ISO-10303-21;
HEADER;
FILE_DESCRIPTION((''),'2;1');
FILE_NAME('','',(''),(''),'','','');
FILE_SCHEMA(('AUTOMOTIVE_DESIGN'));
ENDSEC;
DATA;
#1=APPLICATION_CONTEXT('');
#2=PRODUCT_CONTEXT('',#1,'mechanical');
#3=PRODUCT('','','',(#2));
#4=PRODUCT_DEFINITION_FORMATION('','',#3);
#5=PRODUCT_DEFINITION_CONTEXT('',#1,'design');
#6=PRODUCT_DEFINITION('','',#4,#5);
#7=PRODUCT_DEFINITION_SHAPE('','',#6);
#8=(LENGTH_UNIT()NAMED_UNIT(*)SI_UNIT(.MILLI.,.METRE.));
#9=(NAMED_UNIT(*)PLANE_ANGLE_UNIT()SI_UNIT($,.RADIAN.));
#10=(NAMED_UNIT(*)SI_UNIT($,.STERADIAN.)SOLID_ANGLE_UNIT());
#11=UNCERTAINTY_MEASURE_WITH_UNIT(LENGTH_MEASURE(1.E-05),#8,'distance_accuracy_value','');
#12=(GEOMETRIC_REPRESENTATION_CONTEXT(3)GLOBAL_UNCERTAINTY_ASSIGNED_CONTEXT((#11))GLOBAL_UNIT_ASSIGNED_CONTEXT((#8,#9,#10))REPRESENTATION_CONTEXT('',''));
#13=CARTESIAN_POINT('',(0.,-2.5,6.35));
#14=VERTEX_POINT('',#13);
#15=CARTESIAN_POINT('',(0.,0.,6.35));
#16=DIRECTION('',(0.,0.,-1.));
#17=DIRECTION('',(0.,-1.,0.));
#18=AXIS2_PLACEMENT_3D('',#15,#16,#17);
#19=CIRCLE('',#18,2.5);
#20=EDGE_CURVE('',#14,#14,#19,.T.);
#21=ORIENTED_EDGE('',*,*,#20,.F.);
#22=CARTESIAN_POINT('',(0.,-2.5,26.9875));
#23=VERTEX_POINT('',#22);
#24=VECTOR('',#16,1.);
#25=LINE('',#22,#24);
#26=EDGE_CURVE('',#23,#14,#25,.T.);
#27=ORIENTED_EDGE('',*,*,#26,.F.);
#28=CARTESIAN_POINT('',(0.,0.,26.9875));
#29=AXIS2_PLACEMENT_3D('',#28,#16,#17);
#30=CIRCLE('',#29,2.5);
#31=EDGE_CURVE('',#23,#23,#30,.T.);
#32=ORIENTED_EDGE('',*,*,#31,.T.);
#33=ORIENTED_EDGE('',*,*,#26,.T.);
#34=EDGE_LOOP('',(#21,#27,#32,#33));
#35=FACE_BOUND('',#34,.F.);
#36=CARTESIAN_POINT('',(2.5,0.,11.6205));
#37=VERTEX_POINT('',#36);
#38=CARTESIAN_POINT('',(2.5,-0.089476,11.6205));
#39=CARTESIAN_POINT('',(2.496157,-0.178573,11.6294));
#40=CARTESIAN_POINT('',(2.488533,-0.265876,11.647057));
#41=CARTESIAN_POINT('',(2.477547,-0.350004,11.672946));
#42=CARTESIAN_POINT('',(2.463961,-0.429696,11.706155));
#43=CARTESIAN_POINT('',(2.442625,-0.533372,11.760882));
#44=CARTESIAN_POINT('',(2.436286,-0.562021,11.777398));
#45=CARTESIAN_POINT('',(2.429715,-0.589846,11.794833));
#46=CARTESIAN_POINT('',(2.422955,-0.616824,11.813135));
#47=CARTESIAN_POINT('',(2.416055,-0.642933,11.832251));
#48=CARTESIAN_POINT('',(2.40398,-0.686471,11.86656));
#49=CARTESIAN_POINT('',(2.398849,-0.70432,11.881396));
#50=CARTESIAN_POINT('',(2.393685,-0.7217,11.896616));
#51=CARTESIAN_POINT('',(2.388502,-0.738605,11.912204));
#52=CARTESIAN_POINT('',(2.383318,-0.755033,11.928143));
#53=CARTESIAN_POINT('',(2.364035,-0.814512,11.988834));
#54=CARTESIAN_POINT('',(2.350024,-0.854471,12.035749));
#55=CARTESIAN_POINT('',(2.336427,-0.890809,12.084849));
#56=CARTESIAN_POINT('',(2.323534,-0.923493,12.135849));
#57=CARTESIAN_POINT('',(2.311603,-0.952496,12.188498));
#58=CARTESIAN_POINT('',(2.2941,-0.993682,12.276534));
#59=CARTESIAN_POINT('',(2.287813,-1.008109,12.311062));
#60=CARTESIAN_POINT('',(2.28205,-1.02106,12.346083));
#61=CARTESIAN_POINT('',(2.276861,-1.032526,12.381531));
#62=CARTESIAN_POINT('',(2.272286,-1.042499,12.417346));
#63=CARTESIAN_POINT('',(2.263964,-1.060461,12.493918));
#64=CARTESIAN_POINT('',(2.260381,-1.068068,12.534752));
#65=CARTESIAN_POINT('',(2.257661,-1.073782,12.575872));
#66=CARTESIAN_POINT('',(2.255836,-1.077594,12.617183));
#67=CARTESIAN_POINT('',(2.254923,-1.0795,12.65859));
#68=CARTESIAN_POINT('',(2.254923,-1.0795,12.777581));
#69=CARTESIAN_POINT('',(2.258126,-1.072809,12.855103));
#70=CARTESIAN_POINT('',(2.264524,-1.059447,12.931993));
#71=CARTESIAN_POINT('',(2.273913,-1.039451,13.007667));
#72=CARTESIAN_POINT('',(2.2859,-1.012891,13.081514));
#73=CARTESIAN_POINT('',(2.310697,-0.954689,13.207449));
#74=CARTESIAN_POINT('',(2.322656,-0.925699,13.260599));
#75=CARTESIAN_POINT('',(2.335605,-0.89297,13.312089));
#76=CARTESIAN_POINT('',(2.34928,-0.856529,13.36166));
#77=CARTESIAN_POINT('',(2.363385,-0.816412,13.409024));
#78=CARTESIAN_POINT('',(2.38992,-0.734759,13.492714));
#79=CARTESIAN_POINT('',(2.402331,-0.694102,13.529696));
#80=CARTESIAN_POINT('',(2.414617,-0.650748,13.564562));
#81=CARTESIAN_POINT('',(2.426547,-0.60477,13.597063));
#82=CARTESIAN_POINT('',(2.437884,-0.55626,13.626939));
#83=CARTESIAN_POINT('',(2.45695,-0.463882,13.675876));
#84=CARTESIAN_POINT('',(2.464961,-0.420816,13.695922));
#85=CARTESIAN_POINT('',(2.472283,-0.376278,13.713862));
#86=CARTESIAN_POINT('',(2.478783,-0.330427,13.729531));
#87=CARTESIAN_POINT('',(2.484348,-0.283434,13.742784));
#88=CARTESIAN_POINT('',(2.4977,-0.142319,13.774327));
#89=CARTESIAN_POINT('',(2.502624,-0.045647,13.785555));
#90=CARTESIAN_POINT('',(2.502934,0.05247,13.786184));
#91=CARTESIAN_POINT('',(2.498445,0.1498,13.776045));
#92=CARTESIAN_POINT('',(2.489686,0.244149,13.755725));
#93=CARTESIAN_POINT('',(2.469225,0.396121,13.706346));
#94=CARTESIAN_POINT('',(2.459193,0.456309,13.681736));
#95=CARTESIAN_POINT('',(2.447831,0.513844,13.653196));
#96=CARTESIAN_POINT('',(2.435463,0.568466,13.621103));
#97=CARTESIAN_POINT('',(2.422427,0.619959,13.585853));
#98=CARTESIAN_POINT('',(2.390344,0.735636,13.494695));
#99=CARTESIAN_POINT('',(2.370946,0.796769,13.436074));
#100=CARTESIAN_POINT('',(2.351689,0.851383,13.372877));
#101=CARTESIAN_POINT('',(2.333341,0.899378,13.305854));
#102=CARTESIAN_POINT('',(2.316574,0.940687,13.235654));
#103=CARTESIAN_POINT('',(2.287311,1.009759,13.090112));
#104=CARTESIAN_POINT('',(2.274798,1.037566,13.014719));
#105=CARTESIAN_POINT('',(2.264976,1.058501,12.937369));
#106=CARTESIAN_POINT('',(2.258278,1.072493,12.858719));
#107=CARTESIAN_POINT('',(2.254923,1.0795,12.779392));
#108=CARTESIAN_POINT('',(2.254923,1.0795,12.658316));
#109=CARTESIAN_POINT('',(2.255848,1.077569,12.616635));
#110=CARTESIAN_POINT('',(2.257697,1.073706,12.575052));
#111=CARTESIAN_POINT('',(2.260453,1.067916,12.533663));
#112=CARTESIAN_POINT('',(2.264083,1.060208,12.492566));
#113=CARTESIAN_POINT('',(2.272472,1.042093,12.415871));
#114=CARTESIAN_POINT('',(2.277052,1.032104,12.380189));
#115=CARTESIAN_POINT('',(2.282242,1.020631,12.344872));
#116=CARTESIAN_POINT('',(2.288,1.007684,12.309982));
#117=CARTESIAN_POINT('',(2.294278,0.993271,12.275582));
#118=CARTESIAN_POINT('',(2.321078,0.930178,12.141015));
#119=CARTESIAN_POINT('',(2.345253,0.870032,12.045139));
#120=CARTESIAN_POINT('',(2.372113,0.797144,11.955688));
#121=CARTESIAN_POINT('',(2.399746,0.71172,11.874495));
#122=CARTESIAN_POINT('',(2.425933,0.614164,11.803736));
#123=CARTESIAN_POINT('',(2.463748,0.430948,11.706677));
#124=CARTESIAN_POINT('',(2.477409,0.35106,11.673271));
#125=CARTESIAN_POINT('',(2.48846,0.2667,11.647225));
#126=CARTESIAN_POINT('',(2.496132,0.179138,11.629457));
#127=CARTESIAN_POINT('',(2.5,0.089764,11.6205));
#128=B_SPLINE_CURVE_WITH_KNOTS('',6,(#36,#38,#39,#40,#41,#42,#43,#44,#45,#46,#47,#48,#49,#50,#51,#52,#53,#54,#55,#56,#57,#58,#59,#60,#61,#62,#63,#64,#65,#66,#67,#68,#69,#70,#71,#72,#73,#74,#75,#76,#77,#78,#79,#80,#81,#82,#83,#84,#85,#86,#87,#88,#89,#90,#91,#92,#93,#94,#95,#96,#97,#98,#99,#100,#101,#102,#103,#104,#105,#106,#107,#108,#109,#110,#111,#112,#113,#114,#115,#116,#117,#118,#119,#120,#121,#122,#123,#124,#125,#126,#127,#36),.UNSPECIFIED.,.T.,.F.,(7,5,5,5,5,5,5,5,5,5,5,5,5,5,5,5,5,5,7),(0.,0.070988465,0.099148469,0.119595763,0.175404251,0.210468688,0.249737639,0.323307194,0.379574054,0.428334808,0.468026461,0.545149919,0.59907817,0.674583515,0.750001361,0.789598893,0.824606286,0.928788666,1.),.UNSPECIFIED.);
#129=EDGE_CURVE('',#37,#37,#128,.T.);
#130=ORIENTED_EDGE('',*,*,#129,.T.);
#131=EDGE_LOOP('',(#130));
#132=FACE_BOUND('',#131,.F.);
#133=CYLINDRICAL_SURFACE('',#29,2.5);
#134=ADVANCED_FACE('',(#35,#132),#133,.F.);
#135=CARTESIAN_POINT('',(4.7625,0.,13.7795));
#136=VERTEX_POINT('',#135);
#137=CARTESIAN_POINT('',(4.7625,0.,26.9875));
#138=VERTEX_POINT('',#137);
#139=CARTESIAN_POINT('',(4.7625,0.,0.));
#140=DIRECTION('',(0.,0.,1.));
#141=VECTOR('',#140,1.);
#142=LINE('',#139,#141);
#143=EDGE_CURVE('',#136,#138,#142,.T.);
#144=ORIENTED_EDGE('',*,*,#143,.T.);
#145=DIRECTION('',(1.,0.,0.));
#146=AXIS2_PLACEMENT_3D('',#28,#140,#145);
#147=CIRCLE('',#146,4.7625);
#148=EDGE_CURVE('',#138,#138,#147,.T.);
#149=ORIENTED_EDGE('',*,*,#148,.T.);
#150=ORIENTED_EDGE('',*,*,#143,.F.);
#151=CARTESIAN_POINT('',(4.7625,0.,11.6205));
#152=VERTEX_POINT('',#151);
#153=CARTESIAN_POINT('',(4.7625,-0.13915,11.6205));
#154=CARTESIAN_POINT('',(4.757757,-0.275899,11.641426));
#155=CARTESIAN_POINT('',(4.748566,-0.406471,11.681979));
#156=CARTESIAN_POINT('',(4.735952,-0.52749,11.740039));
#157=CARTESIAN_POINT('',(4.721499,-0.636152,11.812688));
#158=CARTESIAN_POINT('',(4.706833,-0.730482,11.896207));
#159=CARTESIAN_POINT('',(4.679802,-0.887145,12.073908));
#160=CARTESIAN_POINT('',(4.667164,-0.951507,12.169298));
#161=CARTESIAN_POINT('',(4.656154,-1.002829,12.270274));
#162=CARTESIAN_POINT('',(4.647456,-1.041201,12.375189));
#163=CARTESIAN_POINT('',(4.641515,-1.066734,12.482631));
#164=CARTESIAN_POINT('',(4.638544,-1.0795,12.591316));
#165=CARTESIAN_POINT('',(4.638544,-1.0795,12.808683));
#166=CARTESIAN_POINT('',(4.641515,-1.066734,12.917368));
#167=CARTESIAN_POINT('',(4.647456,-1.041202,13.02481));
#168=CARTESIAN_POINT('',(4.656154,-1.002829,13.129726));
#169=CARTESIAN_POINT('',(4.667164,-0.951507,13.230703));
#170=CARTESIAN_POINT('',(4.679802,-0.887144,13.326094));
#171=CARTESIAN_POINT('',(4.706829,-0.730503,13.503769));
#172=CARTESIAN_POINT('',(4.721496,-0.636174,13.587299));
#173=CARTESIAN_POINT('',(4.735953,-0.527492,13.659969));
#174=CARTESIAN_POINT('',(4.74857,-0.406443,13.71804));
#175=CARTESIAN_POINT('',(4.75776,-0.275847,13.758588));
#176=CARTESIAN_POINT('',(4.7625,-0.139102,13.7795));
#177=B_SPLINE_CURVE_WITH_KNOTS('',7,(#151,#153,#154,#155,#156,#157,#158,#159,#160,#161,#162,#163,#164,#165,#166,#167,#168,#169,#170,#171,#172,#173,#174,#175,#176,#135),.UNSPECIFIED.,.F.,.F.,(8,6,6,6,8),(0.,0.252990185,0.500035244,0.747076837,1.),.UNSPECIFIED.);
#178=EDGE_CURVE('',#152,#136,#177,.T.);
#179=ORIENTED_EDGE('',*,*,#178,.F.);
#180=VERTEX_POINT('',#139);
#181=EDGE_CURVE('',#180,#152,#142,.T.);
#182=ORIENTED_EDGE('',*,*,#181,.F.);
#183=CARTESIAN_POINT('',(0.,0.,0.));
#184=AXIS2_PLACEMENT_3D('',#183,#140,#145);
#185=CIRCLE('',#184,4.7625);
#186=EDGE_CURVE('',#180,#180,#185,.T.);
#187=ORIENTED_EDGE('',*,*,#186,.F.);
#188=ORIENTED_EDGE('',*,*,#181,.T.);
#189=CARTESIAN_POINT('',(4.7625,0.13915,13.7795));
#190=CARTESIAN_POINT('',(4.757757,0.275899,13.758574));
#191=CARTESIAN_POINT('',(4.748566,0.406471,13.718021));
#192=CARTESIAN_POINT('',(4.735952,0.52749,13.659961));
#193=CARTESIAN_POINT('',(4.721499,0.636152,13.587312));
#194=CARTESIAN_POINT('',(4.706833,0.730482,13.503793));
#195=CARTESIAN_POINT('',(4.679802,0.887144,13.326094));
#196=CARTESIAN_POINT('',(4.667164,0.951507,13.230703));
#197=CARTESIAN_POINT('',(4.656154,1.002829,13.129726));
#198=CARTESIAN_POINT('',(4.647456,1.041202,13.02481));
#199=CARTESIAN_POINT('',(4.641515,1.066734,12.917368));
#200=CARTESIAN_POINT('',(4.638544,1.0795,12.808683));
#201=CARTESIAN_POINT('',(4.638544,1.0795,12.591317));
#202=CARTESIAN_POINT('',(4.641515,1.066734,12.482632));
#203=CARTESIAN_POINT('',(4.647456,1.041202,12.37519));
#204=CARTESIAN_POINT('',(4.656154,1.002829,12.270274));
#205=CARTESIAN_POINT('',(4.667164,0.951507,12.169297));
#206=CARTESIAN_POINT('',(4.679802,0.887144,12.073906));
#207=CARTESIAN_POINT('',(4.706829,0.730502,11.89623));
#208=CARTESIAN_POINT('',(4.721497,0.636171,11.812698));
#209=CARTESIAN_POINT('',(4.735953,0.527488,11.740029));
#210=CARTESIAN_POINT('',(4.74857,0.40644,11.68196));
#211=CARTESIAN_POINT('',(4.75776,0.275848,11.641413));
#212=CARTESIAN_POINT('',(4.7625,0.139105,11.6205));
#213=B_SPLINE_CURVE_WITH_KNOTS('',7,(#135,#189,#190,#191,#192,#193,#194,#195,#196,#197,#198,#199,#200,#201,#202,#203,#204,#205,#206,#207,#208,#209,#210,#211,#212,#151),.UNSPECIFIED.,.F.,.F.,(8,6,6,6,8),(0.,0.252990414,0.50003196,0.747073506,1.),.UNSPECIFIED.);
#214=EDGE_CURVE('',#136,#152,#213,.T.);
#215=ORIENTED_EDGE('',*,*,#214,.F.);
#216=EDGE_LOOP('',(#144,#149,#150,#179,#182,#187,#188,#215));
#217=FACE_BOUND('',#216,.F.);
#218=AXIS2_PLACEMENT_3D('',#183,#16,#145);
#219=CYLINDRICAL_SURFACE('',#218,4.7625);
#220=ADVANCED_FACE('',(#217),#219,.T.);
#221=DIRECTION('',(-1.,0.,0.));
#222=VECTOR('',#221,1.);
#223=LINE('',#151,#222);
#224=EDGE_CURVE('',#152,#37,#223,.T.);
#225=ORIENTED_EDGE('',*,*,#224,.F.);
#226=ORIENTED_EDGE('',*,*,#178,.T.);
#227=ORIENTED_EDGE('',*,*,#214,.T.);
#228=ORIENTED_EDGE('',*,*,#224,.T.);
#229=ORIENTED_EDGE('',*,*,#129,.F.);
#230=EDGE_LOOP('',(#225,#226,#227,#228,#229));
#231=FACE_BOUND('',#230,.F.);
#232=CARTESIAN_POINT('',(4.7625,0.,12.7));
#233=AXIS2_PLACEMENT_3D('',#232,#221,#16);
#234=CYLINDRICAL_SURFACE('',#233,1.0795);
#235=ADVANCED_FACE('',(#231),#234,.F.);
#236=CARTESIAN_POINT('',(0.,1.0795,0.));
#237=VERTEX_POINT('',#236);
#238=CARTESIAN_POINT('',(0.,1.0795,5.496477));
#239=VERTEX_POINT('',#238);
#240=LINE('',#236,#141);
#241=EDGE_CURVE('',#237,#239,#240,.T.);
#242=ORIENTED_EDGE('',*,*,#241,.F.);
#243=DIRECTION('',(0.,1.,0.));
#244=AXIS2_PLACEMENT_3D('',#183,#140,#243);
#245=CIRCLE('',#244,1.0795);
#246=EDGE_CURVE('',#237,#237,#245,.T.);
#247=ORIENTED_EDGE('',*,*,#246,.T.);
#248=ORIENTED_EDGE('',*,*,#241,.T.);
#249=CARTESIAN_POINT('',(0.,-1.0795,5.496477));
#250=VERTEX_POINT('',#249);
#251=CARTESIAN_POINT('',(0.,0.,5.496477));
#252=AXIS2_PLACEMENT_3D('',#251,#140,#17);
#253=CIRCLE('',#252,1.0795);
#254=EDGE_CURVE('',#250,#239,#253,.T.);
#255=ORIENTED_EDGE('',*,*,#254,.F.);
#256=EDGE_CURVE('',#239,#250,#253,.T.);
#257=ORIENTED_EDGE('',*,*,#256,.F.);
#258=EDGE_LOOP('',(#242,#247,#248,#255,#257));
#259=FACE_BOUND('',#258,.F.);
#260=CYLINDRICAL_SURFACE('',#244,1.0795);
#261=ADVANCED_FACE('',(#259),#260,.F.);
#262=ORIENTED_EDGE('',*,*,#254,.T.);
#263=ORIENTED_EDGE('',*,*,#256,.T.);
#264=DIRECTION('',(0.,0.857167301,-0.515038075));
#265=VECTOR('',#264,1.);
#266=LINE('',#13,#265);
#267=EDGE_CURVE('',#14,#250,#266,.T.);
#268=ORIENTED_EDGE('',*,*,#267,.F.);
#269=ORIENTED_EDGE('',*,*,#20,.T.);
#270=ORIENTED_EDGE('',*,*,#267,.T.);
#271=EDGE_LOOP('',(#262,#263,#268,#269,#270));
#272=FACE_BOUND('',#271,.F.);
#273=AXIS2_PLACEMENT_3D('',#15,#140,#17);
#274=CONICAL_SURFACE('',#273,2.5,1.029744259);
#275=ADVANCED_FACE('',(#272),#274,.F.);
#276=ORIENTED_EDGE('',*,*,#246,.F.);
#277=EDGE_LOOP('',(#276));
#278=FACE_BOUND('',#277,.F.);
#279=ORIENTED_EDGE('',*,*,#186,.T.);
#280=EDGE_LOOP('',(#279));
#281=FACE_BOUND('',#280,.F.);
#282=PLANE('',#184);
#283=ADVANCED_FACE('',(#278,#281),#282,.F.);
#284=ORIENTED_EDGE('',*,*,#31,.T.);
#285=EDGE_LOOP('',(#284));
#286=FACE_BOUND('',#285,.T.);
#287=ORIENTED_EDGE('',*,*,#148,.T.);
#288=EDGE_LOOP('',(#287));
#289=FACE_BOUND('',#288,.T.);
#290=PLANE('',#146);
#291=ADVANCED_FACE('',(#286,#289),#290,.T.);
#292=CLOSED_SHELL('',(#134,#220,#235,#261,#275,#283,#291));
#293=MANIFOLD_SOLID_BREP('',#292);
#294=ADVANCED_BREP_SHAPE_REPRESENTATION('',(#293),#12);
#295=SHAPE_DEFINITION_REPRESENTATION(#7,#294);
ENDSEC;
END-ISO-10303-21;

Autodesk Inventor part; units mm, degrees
ref_plane "XZ Plane" through (0, 0, 0) normal (0, 1, 0) x (-1, 0, 0)
ref_plane "XY Plane" through (0, 0, 0) normal (0, 0, 1) x (1, 0, 0)
sketch "Sketch1" plane through (0, 0, 0) normal (0, 0, 1) x (1, 0, 0)
  circle A0 centre (0, 0) radius 4.7625
  dimension "d0" = 9.525
extrude "Extrusion1" add sketch "Sketch1" along normal blind 26.9875
sketch "Sketch2" plane through (0, 0, 26.9875) normal (0, 0, 1) x (1, 0, 0)
  point P0 (0, 0)
  point P1 (0, 0)
hole "Hole1" at (0, 0, 26.9875) direction (0, 0, -1) diameter 5 depth 20.6375 tip angle 118
sketch "Sketch3" plane through (0, 0, 0) normal (0, 0, -1) x (-1, 0, 0)
  circle A0 centre (0, 0) radius 4.7625 projected
hole "Hole2" at (0, 0, 0) direction (0, 0, 1) diameter 2.159 depth 8.8646 tip angle 118
ref_plane "Work Plane1" through (4.7625, 0, 0) normal (1, 0, 0) x (0, 1, 0)
sketch "Sketch4" plane through (4.7625, 0, 0) normal (1, 0, 0) x (0, 1, 0)
  line L0 (-2.5, 26.9875) -> (2.5, 26.9875) projected
  line L1 (0, 26.9875) -> (0, 12.7)
  point P0 (0, 0)
  dimension "d18" = 14.2875
hole "Hole3" at (4.7625, 0, 12.7) direction (-1, 0, 0) diameter 2.159 depth 3.81 tip angle 118
properties part number "coupler"
